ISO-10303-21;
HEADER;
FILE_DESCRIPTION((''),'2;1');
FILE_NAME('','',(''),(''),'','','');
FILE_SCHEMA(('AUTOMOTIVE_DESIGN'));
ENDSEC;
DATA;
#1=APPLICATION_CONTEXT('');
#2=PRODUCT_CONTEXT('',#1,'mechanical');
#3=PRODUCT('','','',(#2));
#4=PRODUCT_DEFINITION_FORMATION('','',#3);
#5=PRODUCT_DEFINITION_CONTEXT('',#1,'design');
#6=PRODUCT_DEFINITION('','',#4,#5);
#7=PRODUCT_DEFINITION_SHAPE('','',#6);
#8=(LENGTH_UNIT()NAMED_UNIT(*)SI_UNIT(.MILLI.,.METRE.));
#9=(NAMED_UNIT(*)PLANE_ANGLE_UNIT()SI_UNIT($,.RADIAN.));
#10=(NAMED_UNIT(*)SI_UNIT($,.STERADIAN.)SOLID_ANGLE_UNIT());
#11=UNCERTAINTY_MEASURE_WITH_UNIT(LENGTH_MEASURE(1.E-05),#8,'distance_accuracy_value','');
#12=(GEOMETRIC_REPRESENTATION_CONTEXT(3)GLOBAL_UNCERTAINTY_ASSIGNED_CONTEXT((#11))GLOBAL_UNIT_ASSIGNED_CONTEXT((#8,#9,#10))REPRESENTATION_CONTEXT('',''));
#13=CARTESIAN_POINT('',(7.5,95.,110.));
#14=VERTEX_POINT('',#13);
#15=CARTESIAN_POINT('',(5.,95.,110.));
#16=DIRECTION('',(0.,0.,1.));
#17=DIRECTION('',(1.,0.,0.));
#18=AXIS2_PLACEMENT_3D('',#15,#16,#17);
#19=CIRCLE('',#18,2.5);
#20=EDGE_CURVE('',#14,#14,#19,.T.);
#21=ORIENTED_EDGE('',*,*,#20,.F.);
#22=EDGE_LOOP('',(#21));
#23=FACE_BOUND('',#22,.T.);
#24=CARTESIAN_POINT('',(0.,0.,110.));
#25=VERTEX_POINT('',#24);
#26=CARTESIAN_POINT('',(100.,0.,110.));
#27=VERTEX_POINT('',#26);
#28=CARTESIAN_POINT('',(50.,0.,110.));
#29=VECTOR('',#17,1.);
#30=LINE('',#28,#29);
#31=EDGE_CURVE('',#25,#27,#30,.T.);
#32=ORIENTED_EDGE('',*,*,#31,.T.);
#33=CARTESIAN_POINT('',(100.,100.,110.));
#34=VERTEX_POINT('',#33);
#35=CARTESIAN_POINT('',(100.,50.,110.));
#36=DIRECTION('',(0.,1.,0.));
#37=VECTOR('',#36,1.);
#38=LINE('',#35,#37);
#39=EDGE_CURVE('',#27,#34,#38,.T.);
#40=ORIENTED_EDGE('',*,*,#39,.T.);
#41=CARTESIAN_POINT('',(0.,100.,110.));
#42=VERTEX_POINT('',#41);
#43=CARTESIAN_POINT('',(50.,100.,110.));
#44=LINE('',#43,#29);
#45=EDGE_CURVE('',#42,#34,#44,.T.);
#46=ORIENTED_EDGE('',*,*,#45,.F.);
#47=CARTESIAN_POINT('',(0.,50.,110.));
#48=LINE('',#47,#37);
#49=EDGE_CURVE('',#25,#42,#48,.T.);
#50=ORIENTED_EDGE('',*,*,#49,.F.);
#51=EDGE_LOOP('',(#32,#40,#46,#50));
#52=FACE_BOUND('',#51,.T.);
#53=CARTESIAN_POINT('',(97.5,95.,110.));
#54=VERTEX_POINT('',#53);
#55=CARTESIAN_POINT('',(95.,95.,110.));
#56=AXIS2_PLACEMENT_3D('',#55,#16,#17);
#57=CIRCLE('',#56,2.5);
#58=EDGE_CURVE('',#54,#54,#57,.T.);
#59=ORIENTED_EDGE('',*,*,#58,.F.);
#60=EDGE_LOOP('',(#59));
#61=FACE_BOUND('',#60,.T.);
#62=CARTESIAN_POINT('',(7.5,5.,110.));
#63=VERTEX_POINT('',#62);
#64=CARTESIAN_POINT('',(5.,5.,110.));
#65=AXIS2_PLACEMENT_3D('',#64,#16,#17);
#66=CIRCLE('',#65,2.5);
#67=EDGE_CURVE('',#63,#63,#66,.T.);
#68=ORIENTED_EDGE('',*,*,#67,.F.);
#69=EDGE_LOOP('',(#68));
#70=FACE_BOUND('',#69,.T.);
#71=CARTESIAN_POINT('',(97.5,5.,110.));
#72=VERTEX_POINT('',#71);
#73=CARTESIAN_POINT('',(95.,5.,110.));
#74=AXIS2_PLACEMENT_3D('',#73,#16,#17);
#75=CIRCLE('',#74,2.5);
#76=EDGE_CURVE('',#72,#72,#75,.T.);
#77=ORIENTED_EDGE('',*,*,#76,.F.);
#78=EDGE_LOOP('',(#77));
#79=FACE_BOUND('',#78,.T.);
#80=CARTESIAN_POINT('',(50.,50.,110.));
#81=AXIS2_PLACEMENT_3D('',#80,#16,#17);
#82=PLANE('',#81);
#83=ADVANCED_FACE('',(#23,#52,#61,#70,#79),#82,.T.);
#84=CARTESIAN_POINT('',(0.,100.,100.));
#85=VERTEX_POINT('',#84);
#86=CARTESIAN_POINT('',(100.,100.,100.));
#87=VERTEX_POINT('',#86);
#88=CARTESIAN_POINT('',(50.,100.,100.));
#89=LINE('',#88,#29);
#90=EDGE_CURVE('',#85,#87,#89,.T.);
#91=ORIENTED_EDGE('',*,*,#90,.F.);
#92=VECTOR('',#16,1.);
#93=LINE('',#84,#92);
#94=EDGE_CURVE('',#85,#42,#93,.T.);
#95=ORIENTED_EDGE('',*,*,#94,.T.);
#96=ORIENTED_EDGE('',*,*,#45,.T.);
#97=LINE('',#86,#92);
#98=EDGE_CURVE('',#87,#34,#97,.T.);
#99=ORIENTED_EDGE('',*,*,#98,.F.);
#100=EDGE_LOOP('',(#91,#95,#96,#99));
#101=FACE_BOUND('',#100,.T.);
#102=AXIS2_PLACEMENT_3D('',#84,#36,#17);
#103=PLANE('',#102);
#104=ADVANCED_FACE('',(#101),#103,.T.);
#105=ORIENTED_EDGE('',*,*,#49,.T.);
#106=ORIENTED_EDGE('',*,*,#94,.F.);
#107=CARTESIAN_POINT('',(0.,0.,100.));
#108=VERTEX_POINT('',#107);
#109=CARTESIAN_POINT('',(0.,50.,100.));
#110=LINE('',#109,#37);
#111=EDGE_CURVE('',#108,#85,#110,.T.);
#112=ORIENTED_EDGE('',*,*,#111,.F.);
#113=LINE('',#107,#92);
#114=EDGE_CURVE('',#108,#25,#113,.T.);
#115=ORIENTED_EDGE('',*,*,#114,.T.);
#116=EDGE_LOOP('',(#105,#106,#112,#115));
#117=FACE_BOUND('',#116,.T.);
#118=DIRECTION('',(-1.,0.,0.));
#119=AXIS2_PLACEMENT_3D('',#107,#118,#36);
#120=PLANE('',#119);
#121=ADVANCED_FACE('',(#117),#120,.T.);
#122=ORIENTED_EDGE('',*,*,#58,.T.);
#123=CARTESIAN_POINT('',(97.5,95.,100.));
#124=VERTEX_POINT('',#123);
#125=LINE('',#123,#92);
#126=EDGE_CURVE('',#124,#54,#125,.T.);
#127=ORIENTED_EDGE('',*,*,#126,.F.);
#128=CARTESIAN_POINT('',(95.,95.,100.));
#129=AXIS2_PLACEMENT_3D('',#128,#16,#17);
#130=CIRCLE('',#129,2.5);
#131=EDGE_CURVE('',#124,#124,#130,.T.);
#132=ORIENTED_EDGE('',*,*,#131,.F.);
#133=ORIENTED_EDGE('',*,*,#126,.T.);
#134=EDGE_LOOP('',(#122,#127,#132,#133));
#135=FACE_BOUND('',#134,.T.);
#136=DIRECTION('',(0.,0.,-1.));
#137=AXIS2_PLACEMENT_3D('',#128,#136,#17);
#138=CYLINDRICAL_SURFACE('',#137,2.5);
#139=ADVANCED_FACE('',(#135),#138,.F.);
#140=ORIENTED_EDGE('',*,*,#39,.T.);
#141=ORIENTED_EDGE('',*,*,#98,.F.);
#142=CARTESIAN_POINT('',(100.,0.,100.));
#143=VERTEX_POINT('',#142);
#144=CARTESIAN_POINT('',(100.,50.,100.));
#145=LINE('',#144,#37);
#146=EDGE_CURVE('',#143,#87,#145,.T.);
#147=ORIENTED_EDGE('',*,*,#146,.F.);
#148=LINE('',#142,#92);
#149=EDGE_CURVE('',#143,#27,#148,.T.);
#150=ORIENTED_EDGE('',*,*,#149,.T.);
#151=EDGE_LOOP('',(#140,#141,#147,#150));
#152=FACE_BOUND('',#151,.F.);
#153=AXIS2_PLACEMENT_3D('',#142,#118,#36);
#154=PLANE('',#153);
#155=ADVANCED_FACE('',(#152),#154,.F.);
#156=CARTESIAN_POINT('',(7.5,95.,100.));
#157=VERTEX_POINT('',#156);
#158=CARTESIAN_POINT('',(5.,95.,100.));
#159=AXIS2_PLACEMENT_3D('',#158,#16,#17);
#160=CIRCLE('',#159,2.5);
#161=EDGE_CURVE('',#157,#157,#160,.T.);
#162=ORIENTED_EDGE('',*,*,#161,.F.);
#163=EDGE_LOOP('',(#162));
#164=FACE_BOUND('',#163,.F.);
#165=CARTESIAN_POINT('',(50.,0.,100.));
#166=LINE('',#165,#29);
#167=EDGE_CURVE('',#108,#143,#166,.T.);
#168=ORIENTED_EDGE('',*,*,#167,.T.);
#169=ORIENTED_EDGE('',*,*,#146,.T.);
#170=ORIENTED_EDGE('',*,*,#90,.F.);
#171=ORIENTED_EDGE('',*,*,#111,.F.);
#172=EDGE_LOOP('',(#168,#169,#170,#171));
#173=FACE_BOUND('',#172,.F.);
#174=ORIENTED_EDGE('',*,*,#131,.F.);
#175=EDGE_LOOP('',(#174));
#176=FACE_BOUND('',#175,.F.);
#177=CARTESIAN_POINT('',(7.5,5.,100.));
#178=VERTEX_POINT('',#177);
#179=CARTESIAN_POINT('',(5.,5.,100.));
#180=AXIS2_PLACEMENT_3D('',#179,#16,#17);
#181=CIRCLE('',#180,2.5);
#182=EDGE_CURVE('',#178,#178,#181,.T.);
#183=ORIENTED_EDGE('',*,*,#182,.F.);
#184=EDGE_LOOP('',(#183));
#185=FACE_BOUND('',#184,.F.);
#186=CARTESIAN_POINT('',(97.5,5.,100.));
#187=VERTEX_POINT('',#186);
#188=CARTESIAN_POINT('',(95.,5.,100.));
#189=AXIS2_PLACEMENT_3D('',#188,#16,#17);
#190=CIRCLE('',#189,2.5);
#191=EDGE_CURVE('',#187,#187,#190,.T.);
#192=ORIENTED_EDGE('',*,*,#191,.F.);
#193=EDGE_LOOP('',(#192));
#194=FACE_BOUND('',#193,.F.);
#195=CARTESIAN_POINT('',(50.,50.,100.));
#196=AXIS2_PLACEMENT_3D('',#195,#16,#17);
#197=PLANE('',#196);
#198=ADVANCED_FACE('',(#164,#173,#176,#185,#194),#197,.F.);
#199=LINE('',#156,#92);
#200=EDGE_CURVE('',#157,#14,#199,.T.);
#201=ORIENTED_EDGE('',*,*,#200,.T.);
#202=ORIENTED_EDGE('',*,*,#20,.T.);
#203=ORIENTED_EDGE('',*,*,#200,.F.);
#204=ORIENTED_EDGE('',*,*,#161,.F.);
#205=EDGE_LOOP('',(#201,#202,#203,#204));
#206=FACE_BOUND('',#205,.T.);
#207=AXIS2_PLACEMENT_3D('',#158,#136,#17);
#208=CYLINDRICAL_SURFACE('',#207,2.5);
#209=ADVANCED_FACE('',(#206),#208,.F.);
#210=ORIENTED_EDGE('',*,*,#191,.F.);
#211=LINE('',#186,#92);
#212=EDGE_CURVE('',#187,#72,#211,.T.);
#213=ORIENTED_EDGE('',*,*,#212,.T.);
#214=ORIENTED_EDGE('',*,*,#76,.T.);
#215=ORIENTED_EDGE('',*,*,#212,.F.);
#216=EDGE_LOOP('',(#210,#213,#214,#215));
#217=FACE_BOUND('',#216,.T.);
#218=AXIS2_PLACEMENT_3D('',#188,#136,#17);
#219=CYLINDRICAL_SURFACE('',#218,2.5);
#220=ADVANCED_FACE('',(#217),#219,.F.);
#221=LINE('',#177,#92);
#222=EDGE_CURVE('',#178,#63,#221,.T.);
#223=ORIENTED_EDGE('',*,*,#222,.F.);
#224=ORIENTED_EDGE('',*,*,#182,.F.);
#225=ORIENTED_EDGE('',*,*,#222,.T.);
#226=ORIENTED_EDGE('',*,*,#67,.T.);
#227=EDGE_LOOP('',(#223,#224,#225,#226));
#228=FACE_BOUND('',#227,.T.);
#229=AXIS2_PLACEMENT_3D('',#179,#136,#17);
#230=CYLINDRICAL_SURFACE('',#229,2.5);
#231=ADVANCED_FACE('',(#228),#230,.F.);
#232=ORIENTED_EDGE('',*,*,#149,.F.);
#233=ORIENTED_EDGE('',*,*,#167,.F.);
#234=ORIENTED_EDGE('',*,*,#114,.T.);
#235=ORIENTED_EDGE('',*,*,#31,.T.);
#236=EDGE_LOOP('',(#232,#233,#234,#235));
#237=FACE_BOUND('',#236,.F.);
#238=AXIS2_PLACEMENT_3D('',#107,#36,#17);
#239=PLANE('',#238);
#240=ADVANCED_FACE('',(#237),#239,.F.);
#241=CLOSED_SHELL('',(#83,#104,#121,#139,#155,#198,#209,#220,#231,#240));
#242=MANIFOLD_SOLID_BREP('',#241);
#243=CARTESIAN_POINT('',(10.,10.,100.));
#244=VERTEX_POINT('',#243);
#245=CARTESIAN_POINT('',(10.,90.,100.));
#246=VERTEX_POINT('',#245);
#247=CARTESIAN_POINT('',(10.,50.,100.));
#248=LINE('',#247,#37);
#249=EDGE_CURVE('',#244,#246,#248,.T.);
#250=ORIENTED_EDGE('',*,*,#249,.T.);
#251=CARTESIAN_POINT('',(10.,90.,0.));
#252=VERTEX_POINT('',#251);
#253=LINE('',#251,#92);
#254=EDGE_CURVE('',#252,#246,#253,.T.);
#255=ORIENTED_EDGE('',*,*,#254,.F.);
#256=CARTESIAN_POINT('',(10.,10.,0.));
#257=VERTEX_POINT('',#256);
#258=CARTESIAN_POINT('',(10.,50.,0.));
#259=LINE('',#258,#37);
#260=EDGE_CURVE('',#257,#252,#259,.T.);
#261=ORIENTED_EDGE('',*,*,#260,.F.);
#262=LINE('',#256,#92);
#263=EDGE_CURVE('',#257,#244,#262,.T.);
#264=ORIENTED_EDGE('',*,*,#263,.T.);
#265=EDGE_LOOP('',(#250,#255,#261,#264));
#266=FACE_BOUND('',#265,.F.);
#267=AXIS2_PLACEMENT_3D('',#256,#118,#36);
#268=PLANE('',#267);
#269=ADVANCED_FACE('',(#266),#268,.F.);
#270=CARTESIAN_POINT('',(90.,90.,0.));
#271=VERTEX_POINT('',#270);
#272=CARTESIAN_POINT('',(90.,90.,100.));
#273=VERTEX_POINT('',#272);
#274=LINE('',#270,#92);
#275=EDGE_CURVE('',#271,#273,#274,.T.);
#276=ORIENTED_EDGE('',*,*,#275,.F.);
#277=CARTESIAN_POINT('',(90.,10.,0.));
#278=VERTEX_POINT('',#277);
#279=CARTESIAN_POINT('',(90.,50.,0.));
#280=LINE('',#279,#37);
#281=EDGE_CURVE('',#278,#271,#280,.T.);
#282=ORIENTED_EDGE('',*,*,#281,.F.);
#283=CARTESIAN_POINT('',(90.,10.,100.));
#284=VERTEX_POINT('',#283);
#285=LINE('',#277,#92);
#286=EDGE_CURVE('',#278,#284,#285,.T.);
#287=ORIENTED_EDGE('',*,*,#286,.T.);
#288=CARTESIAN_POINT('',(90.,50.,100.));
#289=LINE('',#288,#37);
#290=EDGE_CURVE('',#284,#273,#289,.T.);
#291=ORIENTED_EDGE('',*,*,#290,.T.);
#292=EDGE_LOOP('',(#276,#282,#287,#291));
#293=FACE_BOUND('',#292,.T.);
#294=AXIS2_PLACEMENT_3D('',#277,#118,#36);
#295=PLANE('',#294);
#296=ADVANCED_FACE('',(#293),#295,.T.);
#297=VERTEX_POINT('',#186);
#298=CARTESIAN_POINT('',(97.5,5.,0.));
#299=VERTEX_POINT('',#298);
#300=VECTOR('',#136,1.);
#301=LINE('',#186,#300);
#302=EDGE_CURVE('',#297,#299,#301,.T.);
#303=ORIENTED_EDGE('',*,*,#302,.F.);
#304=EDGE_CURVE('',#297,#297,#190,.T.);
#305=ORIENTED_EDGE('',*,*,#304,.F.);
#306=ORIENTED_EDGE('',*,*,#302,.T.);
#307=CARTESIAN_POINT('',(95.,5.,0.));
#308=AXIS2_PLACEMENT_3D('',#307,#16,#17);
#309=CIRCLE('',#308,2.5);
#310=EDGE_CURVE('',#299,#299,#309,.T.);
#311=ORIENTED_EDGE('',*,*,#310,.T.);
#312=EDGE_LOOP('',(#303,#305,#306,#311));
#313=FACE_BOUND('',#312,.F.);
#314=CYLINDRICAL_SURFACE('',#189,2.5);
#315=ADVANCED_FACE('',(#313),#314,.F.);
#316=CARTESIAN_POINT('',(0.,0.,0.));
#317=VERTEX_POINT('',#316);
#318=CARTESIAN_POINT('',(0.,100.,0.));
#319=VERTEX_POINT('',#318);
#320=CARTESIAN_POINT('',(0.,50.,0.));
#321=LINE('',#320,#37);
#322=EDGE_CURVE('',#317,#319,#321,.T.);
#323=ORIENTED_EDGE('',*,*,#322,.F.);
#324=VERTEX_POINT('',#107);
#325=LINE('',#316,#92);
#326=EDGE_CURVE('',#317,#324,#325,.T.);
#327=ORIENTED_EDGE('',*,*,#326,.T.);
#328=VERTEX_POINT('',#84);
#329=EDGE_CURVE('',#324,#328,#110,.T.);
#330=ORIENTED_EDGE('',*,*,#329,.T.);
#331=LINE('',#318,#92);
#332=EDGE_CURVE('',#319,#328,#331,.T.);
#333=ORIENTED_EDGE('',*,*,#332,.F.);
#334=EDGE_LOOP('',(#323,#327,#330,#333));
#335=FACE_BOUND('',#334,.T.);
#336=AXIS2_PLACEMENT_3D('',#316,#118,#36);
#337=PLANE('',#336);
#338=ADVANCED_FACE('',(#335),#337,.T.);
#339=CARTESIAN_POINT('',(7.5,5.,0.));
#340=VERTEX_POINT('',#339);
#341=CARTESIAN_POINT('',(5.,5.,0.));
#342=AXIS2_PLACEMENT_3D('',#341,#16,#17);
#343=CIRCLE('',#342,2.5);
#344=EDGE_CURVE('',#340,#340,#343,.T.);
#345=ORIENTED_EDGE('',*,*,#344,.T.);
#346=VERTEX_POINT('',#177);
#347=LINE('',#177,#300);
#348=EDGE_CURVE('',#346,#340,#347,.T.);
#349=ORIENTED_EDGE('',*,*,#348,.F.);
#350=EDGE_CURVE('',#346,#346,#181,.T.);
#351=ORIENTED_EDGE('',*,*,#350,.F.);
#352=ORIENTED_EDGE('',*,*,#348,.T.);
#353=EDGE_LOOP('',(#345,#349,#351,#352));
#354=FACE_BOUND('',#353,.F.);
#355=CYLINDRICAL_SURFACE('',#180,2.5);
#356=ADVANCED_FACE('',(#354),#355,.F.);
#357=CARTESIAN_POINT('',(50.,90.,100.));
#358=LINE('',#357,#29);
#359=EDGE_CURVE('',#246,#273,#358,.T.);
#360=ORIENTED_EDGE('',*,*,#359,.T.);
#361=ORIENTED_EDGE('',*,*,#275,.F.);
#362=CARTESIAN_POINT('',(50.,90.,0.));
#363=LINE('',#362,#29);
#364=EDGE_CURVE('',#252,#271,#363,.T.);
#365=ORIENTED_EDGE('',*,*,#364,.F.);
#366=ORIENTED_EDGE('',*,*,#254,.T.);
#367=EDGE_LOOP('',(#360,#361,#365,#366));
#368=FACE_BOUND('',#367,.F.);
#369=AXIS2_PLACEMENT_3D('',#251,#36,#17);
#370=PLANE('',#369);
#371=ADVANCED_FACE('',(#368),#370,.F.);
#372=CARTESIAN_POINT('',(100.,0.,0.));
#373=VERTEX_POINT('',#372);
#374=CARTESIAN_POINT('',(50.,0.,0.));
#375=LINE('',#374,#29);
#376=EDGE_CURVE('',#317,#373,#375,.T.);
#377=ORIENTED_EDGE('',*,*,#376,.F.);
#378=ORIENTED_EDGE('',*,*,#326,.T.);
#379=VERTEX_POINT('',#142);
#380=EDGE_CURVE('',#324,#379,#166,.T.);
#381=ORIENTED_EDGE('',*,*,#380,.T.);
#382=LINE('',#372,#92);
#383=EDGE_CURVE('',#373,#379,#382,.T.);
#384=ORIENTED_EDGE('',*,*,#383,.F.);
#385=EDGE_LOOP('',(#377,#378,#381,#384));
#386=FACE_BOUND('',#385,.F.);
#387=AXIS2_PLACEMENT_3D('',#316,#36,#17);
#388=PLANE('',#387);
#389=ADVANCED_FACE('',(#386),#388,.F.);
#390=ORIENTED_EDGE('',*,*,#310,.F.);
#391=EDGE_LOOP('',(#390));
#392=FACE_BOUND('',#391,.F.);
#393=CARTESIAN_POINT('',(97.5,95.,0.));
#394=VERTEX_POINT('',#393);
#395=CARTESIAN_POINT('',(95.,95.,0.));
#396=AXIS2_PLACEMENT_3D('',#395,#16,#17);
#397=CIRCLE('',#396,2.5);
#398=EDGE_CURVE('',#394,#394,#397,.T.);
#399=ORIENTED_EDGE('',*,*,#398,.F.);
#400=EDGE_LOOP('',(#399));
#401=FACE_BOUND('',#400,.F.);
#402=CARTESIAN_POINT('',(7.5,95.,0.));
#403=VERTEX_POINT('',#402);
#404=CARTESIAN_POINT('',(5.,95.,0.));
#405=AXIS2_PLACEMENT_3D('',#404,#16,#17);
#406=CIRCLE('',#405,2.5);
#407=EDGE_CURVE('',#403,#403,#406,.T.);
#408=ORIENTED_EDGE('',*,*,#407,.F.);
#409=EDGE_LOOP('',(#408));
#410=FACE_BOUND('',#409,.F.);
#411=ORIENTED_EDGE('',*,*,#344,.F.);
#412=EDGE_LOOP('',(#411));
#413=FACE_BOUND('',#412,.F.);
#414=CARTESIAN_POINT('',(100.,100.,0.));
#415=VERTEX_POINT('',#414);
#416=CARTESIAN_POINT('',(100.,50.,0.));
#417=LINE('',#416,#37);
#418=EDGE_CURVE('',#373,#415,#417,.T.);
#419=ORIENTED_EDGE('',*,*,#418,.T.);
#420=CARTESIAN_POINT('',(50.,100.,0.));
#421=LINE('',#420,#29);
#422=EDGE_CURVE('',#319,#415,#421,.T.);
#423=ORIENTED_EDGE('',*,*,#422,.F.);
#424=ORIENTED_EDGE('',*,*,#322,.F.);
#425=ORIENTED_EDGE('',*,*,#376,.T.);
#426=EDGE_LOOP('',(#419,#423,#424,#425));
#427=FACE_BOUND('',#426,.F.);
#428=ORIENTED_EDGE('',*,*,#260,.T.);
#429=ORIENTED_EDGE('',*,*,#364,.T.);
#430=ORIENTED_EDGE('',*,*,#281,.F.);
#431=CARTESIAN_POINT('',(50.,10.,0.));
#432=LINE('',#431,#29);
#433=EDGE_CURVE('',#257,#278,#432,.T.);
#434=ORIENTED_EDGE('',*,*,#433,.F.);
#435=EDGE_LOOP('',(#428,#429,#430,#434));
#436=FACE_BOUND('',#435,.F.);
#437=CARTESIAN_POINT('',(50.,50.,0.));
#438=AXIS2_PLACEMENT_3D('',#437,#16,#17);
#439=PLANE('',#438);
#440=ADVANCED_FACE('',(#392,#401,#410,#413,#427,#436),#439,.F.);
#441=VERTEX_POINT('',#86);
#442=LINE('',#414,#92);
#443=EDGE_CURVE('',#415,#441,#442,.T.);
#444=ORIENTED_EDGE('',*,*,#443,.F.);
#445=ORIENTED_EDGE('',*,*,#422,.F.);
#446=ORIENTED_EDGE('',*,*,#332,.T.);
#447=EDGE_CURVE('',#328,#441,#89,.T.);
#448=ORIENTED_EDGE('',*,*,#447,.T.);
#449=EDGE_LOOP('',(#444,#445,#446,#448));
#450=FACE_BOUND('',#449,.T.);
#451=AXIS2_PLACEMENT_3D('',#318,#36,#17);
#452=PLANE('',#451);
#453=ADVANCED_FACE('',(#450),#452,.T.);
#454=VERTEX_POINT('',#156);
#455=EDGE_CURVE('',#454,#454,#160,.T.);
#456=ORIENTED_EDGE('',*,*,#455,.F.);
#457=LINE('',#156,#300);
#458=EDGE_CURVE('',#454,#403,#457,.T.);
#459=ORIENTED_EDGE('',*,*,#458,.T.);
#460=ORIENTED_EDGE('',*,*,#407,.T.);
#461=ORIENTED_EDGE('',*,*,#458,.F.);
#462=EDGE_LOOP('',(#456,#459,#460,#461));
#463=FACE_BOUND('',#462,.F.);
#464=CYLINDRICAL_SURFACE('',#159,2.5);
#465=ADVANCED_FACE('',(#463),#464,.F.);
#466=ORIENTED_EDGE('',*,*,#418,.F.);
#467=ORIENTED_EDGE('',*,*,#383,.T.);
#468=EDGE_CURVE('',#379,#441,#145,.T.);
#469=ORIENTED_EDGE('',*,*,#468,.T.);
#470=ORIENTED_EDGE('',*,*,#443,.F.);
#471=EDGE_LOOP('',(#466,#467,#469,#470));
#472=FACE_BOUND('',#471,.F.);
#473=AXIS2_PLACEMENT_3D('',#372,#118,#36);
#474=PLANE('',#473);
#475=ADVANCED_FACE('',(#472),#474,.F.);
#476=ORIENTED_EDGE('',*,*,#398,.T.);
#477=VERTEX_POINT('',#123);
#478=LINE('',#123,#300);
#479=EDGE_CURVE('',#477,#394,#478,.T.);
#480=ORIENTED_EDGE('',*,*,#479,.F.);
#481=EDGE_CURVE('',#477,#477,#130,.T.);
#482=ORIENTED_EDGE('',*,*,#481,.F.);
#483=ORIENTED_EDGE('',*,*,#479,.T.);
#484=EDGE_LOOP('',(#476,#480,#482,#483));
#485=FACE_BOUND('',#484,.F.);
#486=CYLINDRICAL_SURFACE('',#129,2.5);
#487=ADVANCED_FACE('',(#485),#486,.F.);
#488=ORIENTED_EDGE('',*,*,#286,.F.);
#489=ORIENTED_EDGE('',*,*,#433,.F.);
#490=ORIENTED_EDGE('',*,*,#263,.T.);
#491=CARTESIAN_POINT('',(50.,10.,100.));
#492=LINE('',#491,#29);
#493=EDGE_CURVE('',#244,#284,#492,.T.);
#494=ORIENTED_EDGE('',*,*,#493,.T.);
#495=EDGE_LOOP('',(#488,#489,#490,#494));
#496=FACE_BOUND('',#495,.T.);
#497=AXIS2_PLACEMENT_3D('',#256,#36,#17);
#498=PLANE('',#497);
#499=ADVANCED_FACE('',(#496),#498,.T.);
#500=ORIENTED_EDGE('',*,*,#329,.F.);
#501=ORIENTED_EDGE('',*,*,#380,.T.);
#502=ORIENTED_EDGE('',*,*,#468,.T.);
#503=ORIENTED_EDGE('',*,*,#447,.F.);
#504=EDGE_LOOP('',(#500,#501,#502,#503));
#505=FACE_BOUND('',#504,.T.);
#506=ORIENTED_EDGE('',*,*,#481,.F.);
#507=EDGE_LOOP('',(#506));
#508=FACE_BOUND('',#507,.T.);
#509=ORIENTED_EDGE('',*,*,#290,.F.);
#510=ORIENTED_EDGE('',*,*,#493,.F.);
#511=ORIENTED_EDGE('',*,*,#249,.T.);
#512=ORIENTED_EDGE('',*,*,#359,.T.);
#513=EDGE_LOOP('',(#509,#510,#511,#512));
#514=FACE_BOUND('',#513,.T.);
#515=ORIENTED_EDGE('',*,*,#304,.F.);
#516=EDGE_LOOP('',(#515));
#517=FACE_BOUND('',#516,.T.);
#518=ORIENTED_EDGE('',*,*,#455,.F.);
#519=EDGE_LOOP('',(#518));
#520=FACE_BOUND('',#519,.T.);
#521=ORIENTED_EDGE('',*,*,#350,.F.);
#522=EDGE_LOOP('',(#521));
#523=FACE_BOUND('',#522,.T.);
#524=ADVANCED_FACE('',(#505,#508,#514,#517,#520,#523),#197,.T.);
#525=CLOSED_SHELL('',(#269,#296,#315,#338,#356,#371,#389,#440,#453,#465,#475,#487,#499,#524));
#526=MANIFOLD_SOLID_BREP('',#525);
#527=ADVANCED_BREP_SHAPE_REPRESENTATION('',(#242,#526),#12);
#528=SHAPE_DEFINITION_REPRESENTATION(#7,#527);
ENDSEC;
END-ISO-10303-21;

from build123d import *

# Parameters (mm, degrees)
F0_W     = 100
F0_H     = 100
F0_W_2   = 80
F0_H_2   = 80
F1_DEPTH = 100
F2_R     = 2.5
F3_DEPTH = 100.001
F4_W     = 100
F4_H     = 100
F4_R     = 2.5
F5_DEPTH = 10


with BuildPart() as f1:
    # F0 (on Top) → F1 (new body)
    with BuildSketch(Plane.XY):
        with Locations((50, 50)):
            Rectangle(F0_W, F0_H)
        with Locations((50, 50)):
            Rectangle(F0_W_2, F0_H_2, mode=Mode.SUBTRACT)
    extrude(amount=F1_DEPTH)

    # F2 (on face) → F3 (cut, through all)
    with BuildSketch(Plane.XY.offset(100)):
        with Locations((5, 95)):
            Circle(F2_R)
        with Locations((95, 95)):
            Circle(F2_R)
        with Locations((5, 5)):
            Circle(F2_R)
        with Locations((95, 5)):
            Circle(F2_R)
    extrude(amount=-F3_DEPTH, mode=Mode.SUBTRACT)


with BuildPart() as f5:
    # F4 (on face) → F5 (new body)
    with BuildSketch(Plane.XY.offset(100)):
        with Locations((50, 50)):
            Rectangle(F4_W, F4_H)
        with Locations((5, 5)):
            Circle(F4_R, mode=Mode.SUBTRACT)
        with Locations((95, 5)):
            Circle(F4_R, mode=Mode.SUBTRACT)
        with Locations((5, 95)):
            Circle(F4_R, mode=Mode.SUBTRACT)
        with Locations((95, 95)):
            Circle(F4_R, mode=Mode.SUBTRACT)
    extrude(amount=F5_DEPTH)


solid = Compound([f1.part, f5.part])
